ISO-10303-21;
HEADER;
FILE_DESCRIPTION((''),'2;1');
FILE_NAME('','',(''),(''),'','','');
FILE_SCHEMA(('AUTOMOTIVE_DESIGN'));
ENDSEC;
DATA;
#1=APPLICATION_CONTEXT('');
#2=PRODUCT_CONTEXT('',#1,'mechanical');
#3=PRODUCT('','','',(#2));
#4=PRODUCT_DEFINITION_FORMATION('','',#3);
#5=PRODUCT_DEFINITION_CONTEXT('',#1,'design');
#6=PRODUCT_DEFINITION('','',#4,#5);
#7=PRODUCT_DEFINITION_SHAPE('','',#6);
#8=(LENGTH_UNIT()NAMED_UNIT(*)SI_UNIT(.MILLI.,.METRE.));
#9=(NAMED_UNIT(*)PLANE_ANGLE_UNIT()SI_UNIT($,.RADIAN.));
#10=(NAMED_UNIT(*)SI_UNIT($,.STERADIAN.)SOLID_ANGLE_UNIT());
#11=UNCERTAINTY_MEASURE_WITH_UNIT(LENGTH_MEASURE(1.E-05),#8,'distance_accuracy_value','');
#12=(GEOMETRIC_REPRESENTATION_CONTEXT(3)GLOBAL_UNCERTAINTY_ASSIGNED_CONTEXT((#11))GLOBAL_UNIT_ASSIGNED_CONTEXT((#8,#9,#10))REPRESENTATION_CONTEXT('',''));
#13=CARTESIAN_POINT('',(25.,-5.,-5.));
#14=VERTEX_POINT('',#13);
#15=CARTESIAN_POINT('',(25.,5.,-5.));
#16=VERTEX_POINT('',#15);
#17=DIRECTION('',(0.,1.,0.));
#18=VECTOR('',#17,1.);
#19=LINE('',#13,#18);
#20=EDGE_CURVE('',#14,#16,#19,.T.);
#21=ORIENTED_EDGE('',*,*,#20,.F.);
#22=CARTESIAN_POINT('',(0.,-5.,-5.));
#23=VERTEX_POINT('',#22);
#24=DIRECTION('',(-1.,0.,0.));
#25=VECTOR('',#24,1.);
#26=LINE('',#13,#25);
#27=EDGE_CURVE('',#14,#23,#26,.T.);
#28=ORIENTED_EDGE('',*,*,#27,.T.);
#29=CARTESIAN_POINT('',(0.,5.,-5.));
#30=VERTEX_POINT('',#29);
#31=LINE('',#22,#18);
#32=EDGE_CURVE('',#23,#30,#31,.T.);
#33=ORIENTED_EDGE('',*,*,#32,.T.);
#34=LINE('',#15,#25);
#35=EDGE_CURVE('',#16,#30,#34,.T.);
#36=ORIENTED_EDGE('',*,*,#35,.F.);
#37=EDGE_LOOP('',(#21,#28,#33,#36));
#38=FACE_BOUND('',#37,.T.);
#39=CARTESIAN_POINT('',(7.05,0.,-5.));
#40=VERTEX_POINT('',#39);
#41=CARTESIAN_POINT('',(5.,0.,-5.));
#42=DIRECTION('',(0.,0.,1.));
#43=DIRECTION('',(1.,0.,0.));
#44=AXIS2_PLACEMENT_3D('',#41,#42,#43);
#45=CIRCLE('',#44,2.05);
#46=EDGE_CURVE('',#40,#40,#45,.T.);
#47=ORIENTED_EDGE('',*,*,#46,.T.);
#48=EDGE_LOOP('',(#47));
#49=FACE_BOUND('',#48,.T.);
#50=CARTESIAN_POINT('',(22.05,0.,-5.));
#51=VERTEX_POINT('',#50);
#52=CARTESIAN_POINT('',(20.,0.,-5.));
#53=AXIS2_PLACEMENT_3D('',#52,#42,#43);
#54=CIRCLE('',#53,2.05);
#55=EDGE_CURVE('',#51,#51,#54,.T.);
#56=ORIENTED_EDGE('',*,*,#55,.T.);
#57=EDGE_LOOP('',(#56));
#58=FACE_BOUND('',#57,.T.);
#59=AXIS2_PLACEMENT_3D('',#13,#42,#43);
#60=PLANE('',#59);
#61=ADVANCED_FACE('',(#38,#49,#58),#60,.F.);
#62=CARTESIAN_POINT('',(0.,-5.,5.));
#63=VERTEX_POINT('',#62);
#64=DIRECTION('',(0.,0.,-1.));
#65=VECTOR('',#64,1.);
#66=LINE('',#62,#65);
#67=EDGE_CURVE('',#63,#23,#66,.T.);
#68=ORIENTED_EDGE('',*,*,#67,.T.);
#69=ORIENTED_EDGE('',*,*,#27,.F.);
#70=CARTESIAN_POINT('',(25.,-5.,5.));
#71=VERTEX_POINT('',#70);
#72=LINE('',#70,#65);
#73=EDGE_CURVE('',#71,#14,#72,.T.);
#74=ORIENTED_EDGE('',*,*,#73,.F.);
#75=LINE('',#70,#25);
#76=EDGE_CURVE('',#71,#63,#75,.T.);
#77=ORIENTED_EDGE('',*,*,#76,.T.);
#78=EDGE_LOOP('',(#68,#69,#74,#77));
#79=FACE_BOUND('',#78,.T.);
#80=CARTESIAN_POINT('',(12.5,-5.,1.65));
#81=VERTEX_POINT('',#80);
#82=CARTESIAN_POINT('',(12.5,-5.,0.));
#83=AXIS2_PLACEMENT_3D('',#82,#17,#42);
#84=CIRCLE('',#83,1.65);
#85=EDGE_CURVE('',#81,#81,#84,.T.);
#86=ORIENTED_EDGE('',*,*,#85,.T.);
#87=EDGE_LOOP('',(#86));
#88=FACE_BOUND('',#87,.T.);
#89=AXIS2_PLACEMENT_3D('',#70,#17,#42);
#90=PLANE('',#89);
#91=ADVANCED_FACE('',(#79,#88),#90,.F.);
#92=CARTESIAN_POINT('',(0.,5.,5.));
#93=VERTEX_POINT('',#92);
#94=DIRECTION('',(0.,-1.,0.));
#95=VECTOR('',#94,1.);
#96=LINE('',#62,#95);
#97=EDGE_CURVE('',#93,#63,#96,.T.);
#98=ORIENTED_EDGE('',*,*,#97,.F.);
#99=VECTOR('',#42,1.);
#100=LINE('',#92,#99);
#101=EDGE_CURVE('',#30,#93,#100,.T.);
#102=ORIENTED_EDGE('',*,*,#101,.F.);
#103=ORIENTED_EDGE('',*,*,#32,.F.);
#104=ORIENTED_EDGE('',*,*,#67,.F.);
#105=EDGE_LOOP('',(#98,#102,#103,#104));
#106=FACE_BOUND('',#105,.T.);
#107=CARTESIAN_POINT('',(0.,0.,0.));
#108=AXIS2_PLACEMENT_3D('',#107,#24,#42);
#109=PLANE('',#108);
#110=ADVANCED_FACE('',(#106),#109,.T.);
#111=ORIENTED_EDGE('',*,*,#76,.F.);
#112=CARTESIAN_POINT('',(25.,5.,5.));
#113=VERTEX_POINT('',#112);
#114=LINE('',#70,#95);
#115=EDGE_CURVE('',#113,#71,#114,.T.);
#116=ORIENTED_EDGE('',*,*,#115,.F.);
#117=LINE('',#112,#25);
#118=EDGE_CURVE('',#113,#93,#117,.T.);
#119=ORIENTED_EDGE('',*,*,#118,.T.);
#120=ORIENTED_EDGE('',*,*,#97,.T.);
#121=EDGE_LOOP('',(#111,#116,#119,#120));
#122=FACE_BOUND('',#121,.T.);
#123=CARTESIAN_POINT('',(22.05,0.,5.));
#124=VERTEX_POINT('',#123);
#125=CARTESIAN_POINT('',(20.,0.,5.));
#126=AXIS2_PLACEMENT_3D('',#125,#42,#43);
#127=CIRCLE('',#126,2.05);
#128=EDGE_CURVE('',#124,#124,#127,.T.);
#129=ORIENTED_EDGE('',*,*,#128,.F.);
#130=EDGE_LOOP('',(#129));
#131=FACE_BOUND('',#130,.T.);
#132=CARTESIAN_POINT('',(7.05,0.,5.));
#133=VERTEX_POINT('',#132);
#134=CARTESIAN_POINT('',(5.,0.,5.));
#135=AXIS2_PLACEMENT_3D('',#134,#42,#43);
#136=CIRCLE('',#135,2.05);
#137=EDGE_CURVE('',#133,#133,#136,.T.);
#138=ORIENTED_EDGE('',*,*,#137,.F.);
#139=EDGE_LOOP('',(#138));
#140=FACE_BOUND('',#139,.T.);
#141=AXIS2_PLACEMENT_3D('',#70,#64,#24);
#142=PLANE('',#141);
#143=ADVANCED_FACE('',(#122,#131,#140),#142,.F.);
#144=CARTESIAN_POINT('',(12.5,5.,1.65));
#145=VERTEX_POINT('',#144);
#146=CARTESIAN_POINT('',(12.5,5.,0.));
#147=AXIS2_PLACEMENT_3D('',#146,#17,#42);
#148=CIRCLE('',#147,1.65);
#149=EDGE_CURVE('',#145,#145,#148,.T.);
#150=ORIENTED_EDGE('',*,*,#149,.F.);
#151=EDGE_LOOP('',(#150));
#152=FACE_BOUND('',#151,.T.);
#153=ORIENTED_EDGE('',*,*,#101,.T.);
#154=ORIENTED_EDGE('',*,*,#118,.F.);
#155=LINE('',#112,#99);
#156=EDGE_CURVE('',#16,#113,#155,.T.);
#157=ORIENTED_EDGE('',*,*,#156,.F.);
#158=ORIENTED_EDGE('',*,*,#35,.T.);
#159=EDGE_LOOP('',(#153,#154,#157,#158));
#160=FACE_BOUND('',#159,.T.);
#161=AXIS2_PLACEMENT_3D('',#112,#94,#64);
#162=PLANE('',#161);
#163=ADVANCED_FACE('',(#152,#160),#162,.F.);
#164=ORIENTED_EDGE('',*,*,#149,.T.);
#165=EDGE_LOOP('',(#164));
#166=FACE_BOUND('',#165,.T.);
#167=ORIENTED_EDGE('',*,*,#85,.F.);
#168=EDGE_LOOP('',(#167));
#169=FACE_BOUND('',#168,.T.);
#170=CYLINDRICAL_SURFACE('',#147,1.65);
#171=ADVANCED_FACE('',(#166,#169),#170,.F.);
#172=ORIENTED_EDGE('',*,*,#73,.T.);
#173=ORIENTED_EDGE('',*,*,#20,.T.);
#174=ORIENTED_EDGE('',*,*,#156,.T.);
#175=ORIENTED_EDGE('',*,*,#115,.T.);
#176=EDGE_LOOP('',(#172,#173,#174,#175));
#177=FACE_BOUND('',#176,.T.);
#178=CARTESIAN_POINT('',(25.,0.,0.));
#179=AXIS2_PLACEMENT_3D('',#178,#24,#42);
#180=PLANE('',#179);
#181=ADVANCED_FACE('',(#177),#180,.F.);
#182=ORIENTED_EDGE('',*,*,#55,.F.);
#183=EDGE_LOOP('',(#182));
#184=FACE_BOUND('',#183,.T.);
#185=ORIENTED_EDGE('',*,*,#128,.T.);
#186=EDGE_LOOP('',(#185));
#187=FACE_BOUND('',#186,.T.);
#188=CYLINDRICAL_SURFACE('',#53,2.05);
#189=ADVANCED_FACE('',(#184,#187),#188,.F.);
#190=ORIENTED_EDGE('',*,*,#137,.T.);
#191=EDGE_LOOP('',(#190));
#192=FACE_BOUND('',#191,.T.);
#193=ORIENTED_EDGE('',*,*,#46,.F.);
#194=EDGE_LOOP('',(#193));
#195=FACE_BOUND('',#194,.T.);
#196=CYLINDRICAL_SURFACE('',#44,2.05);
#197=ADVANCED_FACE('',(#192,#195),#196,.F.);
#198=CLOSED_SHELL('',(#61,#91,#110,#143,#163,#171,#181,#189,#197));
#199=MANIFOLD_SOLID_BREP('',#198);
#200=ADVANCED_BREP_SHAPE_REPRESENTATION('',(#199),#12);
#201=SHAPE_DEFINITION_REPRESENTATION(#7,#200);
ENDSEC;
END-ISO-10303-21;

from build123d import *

# Parameters (mm, degrees)
SKETCH_1_W             = 10
SKETCH_1_H             = 10
EXTRUDE_1_DEPTH        = 25
SKETCH_2_R             = 1.5
CUT_EXTRUDE_1_DEPTH    = 28.386127875
SKETCH_3_R             = 2.05
CUT_EXTRUDE_2_DEPTH    = 28.386127875
HOLE_WIZARD_M4_2_D     = 3.3
HOLE_WIZARD_M4_2_DEPTH = 10.1
HOLE_WIZARD_M4_2_TIP   = 0.991420021


with BuildPart() as part:
    # 草图1 → 凸台-拉伸1 (new body)
    with BuildSketch(Plane(origin=(0, 0, 0), x_dir=(0, 0, -1), z_dir=(1, 0, 0))):
        Rectangle(SKETCH_1_W, SKETCH_1_H)
    extrude(amount=EXTRUDE_1_DEPTH)

    # 草图2 → 切除-拉伸1 (cut, through all)
    with BuildSketch(Plane(origin=(0, 5, 0), x_dir=(1, 0, 0), z_dir=(0, 1, 0))):
        with Locations(Location((12.5, 0, 0), (0, 0, 270))):
            Circle(SKETCH_2_R)
    extrude(amount=-CUT_EXTRUDE_1_DEPTH, mode=Mode.SUBTRACT)

    # 草图3 → 切除-拉伸2 (cut, through all)
    with BuildSketch(Plane.XY.offset(5)):
        with Locations((5, 0)):
            Circle(SKETCH_3_R)
        with Locations((20, 0)):
            Circle(SKETCH_3_R)
    extrude(amount=-CUT_EXTRUDE_2_DEPTH, mode=Mode.SUBTRACT)

    # M4 螺纹孔2
    with Locations(Plane(origin=(0, 5, 0), x_dir=(1, 0, 0), z_dir=(0, 1, 0))):
        with Locations((12.5, 0)):
            Hole(HOLE_WIZARD_M4_2_D / 2, depth=HOLE_WIZARD_M4_2_DEPTH)
            with Locations((0, 0, -(HOLE_WIZARD_M4_2_DEPTH + HOLE_WIZARD_M4_2_TIP / 2))):  # 118° drill point
                Cone(0, HOLE_WIZARD_M4_2_D / 2, HOLE_WIZARD_M4_2_TIP, mode=Mode.SUBTRACT)


solid = part.part
